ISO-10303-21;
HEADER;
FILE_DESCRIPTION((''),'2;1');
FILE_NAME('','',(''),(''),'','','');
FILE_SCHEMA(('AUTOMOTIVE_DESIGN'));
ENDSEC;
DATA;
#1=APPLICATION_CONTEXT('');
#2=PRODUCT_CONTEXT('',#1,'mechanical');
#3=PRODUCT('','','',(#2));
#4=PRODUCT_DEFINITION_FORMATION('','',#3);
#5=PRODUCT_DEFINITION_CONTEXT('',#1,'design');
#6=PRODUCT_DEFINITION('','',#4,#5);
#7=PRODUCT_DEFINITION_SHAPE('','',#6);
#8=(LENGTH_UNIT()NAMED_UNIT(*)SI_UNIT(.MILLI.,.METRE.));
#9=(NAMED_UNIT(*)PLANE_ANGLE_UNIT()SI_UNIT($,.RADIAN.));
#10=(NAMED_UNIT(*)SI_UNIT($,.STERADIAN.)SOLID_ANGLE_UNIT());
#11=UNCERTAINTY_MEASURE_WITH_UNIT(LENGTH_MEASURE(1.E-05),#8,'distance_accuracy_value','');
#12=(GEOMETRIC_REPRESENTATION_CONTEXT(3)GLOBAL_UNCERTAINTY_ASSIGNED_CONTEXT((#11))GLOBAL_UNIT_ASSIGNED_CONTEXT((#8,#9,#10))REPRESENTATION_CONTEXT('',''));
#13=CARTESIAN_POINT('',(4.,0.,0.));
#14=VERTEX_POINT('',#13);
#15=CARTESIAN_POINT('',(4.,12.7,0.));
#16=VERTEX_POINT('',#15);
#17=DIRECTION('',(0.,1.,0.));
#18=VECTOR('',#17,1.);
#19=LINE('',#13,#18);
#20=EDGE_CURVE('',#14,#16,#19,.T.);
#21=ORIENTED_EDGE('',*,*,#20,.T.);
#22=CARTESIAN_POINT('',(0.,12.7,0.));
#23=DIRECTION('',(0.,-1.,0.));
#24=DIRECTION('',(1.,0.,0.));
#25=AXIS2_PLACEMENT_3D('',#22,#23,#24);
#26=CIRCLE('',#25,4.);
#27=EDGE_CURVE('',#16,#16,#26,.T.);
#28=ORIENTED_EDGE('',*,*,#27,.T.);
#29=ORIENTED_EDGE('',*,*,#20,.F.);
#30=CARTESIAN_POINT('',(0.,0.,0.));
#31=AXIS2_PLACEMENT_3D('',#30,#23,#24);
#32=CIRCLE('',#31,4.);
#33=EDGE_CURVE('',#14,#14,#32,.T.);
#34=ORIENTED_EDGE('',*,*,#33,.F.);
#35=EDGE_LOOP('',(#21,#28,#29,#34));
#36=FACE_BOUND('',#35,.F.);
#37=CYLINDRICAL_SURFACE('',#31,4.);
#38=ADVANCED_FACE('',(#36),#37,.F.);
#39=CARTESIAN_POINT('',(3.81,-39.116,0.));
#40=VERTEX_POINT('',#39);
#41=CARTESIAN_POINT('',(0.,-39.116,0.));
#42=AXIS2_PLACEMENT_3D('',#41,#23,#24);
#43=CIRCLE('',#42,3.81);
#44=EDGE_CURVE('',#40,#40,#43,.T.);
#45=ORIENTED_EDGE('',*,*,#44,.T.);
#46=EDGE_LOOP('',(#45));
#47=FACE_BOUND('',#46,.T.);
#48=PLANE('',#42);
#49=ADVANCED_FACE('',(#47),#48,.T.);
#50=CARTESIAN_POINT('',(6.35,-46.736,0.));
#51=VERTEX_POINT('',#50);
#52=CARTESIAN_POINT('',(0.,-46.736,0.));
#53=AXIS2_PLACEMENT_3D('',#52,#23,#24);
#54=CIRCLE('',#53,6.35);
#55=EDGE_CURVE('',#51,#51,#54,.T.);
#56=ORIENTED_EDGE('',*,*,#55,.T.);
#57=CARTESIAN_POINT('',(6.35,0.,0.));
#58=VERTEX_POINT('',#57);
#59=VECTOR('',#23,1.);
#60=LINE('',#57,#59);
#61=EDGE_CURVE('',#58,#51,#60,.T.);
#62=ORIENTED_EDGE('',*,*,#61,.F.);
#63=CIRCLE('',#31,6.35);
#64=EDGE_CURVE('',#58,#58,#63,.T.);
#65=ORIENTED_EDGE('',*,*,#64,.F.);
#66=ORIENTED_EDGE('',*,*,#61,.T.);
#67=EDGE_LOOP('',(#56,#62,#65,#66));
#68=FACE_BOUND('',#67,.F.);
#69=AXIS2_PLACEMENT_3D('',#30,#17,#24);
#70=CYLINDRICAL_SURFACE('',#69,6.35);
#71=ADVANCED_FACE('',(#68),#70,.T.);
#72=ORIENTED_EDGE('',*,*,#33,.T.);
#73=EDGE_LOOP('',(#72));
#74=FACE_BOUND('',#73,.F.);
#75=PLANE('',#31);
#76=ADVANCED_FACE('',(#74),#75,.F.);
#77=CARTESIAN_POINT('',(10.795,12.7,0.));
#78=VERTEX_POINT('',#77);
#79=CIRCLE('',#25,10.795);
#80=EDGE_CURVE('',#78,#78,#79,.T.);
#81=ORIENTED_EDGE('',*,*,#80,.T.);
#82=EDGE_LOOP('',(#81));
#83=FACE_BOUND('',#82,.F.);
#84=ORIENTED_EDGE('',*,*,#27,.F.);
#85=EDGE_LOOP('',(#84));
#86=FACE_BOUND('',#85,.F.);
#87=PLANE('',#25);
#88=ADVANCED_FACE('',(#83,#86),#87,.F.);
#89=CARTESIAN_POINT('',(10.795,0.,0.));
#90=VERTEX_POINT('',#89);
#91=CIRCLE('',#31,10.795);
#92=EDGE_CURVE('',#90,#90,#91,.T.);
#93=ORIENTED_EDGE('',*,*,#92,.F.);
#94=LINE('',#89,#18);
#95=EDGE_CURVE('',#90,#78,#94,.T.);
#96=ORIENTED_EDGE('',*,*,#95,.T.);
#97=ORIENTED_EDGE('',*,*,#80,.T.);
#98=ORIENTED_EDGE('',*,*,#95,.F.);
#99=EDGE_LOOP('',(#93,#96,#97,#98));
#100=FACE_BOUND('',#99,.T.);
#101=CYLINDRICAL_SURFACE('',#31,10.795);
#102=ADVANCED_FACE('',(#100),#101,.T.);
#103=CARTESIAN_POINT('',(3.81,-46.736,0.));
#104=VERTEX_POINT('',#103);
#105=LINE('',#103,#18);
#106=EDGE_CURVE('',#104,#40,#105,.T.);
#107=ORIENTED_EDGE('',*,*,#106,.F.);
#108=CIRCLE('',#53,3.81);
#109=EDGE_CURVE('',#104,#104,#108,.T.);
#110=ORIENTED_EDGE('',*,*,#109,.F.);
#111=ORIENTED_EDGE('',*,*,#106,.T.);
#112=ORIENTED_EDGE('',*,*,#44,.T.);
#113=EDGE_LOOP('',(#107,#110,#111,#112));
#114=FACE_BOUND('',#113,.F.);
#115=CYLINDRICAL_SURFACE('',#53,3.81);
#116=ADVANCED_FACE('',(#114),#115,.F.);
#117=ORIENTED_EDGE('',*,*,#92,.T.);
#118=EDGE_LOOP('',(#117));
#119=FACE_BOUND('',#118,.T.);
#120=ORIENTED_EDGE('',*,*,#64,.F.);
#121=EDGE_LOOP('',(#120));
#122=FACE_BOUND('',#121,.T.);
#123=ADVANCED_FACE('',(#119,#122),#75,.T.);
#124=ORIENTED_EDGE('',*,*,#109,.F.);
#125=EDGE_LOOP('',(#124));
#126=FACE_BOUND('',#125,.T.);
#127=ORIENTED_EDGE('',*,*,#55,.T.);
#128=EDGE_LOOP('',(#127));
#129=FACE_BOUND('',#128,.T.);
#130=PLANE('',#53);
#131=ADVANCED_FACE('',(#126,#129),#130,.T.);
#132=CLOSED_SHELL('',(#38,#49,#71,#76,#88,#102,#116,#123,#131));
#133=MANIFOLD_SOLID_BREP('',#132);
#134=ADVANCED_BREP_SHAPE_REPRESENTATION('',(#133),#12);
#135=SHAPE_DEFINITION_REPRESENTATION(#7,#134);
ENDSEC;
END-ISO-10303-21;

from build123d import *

# Parameters (mm, degrees)
F0_R     = 6.35
F1_DEPTH = 46.736
F2_R     = 10.795
F2_R_2   = 4
F3_DEPTH = 12.7
F4_R     = 3.81
F5_DEPTH = 7.62


with BuildPart() as f1:
    # F0 (on Front) → F1 (new body)
    with BuildSketch(Plane.XZ):
        Circle(F0_R)
    extrude(amount=F1_DEPTH)

    # F2 (on Front) → F3 (join)
    with BuildSketch(Plane.XZ):
        Circle(F2_R)
        Circle(F2_R_2, mode=Mode.SUBTRACT)
    extrude(amount=-F3_DEPTH)

    # F4 (on face) → F5 (cut)
    with BuildSketch(Plane.XZ.offset(46.736)):
        Circle(F4_R)
    extrude(amount=-F5_DEPTH, mode=Mode.SUBTRACT)


solid = f1.part
